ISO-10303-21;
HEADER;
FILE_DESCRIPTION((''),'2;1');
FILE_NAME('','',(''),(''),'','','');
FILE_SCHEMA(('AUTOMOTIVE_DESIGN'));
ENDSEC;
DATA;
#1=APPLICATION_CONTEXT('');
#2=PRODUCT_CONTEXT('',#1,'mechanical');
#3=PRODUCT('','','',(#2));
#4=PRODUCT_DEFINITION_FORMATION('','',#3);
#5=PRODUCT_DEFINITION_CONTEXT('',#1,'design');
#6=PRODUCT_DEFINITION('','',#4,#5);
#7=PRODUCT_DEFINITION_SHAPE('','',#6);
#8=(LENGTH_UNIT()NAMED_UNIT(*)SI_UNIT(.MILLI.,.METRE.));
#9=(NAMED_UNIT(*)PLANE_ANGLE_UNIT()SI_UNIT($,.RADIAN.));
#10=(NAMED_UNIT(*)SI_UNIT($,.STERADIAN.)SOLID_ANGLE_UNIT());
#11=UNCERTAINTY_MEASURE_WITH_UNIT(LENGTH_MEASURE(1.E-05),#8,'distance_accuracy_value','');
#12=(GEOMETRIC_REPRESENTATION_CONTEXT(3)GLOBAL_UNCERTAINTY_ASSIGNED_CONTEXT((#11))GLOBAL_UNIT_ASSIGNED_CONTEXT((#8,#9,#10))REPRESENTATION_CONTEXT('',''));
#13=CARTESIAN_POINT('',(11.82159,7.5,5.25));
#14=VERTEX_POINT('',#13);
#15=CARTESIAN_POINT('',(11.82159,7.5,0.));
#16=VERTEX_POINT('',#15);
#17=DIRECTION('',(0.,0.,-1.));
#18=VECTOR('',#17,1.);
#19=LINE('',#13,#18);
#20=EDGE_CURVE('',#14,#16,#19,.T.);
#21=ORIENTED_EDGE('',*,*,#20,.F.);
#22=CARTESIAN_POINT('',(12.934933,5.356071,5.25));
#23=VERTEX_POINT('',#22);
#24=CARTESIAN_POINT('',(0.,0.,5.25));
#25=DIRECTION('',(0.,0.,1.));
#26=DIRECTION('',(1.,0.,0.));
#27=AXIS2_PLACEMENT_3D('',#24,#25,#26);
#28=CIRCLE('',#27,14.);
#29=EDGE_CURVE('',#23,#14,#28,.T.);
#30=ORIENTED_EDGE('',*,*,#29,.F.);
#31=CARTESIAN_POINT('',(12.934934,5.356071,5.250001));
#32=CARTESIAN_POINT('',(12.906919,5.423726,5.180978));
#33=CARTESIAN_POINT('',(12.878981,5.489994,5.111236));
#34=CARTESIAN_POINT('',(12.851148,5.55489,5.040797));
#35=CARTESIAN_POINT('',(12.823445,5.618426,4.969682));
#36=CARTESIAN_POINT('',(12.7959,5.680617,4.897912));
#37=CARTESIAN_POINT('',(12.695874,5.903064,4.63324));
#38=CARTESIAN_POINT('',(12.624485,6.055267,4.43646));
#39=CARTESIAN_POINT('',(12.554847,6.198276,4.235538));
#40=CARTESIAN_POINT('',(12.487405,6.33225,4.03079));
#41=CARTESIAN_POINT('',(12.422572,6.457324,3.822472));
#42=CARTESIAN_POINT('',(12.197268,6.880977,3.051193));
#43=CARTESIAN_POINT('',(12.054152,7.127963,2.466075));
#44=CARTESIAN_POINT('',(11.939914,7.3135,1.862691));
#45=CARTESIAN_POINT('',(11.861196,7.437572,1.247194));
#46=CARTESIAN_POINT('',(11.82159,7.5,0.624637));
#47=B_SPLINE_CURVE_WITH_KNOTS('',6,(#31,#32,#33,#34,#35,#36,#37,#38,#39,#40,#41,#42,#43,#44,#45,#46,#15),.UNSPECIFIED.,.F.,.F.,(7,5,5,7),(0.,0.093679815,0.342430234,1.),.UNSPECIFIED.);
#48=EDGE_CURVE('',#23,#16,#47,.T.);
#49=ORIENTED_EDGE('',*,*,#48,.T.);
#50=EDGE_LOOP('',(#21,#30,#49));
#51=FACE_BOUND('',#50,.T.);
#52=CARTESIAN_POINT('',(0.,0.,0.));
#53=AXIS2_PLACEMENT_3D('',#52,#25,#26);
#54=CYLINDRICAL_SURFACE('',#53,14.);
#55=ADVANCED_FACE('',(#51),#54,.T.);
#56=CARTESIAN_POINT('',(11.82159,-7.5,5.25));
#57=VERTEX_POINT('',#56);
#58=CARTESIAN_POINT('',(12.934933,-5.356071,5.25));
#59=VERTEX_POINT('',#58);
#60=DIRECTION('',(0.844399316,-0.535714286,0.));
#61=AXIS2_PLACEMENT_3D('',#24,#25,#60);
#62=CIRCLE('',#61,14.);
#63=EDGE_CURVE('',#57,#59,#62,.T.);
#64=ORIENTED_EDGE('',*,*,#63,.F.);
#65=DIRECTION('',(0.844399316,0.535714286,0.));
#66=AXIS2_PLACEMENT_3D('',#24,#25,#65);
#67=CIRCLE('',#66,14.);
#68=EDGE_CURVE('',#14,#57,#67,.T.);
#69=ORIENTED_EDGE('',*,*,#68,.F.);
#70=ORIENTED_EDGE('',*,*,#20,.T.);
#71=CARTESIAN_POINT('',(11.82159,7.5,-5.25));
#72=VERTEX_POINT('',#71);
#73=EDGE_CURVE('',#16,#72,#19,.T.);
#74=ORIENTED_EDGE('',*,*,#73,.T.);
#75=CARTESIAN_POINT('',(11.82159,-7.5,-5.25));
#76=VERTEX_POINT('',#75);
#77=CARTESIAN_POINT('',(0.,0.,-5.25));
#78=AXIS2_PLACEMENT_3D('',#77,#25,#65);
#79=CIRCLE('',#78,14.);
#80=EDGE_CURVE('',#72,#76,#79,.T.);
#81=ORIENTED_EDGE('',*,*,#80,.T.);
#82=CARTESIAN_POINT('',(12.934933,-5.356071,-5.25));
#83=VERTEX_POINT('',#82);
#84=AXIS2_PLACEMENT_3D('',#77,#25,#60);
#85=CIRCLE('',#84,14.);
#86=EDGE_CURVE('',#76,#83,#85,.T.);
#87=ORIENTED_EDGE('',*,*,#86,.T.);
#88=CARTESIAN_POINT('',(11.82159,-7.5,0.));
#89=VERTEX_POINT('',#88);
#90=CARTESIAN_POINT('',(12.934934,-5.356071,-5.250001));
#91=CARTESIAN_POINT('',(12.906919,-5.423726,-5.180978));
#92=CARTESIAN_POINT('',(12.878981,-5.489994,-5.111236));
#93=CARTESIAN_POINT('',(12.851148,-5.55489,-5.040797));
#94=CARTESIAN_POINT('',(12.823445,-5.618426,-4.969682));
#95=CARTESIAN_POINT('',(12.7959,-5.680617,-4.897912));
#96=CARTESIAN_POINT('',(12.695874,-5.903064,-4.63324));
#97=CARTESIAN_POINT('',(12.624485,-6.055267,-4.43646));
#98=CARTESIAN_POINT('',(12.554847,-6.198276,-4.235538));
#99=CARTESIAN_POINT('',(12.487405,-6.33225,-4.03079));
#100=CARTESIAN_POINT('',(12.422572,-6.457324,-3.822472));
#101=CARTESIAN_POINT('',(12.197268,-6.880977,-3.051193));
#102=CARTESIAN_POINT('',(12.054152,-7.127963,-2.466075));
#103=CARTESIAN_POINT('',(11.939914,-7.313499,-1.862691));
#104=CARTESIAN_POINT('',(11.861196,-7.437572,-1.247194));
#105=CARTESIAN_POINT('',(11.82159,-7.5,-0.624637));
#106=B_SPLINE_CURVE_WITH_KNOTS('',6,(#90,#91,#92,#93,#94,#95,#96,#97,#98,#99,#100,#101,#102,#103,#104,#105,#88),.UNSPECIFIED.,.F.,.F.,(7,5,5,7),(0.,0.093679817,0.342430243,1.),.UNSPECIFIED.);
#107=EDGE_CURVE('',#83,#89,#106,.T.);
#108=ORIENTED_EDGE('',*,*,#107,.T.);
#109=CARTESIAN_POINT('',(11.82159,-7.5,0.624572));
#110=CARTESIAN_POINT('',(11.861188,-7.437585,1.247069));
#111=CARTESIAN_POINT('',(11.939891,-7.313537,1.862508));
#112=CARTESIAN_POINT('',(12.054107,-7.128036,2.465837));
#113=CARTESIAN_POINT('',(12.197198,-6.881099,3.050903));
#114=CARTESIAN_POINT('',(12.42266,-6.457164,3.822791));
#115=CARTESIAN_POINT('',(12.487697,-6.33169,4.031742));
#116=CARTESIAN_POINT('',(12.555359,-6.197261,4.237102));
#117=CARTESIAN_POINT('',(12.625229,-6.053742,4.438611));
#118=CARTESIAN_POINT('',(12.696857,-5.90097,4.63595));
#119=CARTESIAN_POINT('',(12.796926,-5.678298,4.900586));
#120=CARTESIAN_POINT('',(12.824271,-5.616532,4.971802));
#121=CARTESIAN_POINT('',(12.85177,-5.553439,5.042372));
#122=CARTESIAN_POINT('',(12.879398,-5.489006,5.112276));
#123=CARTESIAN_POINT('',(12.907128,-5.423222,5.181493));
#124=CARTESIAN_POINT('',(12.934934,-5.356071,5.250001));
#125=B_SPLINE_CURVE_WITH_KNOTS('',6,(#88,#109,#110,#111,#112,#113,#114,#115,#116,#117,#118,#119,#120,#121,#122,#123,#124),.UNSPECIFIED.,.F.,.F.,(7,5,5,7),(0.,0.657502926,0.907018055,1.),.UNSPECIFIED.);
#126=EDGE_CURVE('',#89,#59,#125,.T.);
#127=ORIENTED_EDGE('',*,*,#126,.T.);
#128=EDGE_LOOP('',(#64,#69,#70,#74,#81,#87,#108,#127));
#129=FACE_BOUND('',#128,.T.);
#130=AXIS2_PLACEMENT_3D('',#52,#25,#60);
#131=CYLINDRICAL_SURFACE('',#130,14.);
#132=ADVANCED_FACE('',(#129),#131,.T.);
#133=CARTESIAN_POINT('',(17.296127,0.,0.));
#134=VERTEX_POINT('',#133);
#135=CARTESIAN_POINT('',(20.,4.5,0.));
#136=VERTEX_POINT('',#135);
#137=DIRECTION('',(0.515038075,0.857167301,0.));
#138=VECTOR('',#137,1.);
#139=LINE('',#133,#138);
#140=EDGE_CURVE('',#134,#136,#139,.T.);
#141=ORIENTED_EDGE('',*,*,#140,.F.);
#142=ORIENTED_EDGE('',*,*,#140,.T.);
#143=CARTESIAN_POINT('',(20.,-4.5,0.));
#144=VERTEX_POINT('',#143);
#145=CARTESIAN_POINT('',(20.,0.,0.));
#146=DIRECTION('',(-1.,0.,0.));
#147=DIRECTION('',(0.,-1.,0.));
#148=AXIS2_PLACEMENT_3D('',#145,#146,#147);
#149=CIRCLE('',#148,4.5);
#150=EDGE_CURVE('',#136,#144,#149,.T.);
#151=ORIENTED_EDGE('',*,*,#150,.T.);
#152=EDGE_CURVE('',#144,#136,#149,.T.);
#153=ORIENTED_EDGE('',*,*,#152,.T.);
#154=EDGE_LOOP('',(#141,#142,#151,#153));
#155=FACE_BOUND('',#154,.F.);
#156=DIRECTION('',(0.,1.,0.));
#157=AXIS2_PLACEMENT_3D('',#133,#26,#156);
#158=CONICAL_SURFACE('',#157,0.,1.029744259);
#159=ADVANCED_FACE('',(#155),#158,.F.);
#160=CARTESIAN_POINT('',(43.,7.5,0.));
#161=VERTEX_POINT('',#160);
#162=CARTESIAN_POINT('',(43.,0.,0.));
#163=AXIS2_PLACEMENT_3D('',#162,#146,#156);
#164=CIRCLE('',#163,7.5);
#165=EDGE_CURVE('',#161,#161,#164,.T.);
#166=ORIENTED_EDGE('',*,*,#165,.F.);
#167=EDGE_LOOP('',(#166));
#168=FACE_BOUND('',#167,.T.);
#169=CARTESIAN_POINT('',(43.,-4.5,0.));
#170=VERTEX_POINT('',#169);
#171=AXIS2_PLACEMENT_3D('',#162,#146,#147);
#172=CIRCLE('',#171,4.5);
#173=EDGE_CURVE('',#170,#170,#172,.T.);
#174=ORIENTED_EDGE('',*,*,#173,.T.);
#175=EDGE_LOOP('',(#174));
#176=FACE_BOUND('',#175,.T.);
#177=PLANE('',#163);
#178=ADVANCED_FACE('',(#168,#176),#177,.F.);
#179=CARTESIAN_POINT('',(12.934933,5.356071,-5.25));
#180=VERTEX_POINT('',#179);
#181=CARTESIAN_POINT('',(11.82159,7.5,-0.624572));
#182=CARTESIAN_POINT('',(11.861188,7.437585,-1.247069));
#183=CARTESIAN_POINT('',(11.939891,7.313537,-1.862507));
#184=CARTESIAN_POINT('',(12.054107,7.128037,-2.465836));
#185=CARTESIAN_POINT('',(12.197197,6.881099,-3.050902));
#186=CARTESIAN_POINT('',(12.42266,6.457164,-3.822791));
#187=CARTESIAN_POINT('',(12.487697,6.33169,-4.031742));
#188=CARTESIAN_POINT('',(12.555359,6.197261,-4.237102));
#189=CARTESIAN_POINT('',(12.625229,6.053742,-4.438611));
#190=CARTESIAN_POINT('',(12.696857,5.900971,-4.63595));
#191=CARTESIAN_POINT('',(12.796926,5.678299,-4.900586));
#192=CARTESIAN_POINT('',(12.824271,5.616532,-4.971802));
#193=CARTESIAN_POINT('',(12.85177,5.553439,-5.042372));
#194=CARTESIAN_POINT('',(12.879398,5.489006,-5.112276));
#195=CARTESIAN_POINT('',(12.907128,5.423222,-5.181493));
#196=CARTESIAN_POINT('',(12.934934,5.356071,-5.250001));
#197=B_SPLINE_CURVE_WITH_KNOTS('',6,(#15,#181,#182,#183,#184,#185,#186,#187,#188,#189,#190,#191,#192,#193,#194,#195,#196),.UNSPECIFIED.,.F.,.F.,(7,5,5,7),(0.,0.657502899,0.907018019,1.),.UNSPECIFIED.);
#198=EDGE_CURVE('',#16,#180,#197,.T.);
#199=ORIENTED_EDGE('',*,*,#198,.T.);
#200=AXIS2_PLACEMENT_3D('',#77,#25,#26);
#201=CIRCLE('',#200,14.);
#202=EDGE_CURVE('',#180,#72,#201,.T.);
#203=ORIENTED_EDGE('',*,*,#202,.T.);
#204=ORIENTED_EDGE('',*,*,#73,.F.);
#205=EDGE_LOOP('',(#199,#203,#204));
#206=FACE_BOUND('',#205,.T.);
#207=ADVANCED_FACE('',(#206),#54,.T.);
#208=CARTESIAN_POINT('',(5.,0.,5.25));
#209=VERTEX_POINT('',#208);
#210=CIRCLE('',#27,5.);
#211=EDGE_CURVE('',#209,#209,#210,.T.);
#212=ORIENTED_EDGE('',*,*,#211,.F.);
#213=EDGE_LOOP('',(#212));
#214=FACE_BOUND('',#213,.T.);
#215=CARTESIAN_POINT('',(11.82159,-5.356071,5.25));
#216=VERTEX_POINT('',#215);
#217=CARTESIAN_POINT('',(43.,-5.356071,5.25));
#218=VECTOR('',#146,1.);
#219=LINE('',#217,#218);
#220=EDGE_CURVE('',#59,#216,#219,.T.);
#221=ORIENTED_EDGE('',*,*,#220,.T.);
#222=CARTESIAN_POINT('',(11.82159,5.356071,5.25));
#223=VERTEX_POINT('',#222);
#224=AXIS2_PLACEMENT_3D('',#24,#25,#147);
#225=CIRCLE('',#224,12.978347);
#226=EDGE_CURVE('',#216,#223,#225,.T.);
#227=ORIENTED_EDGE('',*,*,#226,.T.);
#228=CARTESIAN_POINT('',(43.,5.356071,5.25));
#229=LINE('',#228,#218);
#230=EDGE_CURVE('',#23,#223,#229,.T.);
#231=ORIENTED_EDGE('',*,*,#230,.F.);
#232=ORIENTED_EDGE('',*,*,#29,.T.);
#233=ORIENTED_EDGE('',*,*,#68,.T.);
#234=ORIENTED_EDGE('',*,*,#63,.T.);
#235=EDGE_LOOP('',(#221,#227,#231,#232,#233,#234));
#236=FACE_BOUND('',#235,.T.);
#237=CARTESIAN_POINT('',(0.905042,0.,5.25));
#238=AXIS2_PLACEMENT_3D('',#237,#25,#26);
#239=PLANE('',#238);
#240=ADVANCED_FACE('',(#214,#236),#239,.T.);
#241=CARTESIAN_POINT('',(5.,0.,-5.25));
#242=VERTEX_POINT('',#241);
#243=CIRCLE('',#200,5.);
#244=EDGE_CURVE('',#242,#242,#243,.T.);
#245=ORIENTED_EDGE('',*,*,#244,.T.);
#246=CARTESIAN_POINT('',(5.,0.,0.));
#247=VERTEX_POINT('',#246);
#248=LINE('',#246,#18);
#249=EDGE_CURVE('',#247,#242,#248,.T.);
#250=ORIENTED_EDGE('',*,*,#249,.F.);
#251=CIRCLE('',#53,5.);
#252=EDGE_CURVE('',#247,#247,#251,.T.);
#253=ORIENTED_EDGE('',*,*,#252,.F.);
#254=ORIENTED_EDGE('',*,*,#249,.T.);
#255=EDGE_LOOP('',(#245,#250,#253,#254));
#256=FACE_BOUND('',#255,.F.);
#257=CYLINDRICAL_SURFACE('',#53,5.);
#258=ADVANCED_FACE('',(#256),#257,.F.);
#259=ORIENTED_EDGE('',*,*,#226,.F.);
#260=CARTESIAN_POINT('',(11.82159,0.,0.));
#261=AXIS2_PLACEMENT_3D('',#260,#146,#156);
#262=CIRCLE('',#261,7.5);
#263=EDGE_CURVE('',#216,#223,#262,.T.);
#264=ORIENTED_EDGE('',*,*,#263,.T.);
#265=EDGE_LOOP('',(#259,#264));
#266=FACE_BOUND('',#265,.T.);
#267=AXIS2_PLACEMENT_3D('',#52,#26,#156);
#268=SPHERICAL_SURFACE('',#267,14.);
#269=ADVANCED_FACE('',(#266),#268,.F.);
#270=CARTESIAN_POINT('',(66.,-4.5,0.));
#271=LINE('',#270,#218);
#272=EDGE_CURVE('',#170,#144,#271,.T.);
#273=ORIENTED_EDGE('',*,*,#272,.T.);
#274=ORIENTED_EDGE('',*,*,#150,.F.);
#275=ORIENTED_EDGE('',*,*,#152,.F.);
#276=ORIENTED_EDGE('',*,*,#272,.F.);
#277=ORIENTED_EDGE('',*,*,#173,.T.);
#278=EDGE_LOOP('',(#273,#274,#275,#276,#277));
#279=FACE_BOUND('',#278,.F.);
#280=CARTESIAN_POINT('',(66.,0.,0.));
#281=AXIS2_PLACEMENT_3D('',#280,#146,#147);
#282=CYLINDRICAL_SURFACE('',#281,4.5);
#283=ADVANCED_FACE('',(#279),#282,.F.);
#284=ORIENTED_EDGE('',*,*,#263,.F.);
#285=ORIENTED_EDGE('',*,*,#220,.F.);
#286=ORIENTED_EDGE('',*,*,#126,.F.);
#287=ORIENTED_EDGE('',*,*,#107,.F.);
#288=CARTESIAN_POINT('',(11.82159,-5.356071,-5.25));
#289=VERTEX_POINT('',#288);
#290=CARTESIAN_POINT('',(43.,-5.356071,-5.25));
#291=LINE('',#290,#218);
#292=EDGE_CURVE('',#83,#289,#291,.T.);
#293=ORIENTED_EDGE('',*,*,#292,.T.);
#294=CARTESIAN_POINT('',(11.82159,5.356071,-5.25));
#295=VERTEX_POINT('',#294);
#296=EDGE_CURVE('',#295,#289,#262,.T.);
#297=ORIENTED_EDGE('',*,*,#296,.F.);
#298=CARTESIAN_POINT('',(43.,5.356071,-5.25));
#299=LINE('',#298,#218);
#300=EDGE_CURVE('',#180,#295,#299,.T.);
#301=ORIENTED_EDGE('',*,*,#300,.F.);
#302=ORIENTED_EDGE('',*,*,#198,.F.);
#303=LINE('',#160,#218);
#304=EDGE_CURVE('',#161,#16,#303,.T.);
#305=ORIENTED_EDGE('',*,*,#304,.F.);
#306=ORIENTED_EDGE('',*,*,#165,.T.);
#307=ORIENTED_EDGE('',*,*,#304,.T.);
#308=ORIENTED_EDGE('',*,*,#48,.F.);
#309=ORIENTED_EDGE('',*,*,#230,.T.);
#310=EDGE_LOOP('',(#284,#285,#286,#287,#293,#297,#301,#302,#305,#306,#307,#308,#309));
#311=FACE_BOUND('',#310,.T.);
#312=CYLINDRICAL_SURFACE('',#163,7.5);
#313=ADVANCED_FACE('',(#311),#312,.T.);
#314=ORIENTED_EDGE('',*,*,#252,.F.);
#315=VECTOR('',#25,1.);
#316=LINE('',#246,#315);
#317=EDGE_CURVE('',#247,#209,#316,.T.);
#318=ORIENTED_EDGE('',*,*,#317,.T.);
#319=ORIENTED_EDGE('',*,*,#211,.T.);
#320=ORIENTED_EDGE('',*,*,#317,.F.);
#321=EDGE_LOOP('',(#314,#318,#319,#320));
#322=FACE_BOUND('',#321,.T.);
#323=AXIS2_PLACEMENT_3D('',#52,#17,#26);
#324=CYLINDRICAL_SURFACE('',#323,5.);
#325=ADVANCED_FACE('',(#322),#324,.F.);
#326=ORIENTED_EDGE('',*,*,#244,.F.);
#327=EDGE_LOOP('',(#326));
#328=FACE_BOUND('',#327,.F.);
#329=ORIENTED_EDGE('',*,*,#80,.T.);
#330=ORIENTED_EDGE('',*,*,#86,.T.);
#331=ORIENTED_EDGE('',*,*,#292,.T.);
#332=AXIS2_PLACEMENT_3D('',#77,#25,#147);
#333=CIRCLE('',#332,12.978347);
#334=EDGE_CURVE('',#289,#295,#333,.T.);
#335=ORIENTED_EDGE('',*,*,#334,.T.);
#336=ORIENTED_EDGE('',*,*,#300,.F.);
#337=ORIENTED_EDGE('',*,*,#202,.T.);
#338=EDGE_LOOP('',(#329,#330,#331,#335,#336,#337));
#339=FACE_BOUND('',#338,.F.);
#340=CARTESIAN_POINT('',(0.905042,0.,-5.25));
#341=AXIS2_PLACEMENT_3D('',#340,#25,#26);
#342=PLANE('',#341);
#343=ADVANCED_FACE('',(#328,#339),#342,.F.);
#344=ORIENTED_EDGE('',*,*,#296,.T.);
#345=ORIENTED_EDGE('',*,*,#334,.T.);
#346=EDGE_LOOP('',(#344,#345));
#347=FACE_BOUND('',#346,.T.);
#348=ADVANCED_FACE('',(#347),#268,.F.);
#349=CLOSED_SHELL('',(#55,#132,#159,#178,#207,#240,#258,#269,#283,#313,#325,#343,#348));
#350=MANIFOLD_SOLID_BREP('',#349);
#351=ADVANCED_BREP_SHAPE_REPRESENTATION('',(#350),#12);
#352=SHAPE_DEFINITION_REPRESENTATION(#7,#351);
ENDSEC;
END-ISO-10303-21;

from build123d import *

# Parameters (mm, degrees)
F0_R     = 5
F1_DEPTH = 5.25
F4_D     = 9
F4_DEPTH = 23
F4_TIP   = 2.7038727856


with BuildPart() as f1:
    # F0 (on Top) → F1 (new body, symmetric)
    with BuildSketch(Plane.XY):
        with BuildLine():
            ThreePointArc((11.8215904175, -7.5), (13.4443717935, -3.9049797794), (14, 0))
            ThreePointArc((14, 0), (13.4443717935, 3.9049797794), (11.8215904175, 7.5))
            ThreePointArc((11.8215904175, 7.5), (-14, 0), (11.8215904175, -7.5))
        make_face()
        Circle(F0_R, mode=Mode.SUBTRACT)
    extrude(amount=F1_DEPTH, both=True)

    # F0 (on Top) → F2 (revolve)
    with BuildSketch(Plane.XY):
        with BuildLine():
            ThreePointArc((11.8215904175, 7.5), (13.4443717935, 3.9049797794), (14, 0))
            Line((14, 0), (43, 0))
            Line((43, 0), (43, 7.5))
            Line((43, 7.5), (11.8215904175, 7.5))
        make_face()
    revolve(axis=Axis((18.6075619422, 0, 0), (-1, 0, 0)))

    # F4
    with Locations(Plane.YZ.offset(43)):
        with Locations((0, 0)):
            Hole(F4_D / 2, depth=F4_DEPTH)
            with Locations((0, 0, -(F4_DEPTH + F4_TIP / 2))):  # 118° drill point
                Cone(0, F4_D / 2, F4_TIP, mode=Mode.SUBTRACT)


solid = f1.part
